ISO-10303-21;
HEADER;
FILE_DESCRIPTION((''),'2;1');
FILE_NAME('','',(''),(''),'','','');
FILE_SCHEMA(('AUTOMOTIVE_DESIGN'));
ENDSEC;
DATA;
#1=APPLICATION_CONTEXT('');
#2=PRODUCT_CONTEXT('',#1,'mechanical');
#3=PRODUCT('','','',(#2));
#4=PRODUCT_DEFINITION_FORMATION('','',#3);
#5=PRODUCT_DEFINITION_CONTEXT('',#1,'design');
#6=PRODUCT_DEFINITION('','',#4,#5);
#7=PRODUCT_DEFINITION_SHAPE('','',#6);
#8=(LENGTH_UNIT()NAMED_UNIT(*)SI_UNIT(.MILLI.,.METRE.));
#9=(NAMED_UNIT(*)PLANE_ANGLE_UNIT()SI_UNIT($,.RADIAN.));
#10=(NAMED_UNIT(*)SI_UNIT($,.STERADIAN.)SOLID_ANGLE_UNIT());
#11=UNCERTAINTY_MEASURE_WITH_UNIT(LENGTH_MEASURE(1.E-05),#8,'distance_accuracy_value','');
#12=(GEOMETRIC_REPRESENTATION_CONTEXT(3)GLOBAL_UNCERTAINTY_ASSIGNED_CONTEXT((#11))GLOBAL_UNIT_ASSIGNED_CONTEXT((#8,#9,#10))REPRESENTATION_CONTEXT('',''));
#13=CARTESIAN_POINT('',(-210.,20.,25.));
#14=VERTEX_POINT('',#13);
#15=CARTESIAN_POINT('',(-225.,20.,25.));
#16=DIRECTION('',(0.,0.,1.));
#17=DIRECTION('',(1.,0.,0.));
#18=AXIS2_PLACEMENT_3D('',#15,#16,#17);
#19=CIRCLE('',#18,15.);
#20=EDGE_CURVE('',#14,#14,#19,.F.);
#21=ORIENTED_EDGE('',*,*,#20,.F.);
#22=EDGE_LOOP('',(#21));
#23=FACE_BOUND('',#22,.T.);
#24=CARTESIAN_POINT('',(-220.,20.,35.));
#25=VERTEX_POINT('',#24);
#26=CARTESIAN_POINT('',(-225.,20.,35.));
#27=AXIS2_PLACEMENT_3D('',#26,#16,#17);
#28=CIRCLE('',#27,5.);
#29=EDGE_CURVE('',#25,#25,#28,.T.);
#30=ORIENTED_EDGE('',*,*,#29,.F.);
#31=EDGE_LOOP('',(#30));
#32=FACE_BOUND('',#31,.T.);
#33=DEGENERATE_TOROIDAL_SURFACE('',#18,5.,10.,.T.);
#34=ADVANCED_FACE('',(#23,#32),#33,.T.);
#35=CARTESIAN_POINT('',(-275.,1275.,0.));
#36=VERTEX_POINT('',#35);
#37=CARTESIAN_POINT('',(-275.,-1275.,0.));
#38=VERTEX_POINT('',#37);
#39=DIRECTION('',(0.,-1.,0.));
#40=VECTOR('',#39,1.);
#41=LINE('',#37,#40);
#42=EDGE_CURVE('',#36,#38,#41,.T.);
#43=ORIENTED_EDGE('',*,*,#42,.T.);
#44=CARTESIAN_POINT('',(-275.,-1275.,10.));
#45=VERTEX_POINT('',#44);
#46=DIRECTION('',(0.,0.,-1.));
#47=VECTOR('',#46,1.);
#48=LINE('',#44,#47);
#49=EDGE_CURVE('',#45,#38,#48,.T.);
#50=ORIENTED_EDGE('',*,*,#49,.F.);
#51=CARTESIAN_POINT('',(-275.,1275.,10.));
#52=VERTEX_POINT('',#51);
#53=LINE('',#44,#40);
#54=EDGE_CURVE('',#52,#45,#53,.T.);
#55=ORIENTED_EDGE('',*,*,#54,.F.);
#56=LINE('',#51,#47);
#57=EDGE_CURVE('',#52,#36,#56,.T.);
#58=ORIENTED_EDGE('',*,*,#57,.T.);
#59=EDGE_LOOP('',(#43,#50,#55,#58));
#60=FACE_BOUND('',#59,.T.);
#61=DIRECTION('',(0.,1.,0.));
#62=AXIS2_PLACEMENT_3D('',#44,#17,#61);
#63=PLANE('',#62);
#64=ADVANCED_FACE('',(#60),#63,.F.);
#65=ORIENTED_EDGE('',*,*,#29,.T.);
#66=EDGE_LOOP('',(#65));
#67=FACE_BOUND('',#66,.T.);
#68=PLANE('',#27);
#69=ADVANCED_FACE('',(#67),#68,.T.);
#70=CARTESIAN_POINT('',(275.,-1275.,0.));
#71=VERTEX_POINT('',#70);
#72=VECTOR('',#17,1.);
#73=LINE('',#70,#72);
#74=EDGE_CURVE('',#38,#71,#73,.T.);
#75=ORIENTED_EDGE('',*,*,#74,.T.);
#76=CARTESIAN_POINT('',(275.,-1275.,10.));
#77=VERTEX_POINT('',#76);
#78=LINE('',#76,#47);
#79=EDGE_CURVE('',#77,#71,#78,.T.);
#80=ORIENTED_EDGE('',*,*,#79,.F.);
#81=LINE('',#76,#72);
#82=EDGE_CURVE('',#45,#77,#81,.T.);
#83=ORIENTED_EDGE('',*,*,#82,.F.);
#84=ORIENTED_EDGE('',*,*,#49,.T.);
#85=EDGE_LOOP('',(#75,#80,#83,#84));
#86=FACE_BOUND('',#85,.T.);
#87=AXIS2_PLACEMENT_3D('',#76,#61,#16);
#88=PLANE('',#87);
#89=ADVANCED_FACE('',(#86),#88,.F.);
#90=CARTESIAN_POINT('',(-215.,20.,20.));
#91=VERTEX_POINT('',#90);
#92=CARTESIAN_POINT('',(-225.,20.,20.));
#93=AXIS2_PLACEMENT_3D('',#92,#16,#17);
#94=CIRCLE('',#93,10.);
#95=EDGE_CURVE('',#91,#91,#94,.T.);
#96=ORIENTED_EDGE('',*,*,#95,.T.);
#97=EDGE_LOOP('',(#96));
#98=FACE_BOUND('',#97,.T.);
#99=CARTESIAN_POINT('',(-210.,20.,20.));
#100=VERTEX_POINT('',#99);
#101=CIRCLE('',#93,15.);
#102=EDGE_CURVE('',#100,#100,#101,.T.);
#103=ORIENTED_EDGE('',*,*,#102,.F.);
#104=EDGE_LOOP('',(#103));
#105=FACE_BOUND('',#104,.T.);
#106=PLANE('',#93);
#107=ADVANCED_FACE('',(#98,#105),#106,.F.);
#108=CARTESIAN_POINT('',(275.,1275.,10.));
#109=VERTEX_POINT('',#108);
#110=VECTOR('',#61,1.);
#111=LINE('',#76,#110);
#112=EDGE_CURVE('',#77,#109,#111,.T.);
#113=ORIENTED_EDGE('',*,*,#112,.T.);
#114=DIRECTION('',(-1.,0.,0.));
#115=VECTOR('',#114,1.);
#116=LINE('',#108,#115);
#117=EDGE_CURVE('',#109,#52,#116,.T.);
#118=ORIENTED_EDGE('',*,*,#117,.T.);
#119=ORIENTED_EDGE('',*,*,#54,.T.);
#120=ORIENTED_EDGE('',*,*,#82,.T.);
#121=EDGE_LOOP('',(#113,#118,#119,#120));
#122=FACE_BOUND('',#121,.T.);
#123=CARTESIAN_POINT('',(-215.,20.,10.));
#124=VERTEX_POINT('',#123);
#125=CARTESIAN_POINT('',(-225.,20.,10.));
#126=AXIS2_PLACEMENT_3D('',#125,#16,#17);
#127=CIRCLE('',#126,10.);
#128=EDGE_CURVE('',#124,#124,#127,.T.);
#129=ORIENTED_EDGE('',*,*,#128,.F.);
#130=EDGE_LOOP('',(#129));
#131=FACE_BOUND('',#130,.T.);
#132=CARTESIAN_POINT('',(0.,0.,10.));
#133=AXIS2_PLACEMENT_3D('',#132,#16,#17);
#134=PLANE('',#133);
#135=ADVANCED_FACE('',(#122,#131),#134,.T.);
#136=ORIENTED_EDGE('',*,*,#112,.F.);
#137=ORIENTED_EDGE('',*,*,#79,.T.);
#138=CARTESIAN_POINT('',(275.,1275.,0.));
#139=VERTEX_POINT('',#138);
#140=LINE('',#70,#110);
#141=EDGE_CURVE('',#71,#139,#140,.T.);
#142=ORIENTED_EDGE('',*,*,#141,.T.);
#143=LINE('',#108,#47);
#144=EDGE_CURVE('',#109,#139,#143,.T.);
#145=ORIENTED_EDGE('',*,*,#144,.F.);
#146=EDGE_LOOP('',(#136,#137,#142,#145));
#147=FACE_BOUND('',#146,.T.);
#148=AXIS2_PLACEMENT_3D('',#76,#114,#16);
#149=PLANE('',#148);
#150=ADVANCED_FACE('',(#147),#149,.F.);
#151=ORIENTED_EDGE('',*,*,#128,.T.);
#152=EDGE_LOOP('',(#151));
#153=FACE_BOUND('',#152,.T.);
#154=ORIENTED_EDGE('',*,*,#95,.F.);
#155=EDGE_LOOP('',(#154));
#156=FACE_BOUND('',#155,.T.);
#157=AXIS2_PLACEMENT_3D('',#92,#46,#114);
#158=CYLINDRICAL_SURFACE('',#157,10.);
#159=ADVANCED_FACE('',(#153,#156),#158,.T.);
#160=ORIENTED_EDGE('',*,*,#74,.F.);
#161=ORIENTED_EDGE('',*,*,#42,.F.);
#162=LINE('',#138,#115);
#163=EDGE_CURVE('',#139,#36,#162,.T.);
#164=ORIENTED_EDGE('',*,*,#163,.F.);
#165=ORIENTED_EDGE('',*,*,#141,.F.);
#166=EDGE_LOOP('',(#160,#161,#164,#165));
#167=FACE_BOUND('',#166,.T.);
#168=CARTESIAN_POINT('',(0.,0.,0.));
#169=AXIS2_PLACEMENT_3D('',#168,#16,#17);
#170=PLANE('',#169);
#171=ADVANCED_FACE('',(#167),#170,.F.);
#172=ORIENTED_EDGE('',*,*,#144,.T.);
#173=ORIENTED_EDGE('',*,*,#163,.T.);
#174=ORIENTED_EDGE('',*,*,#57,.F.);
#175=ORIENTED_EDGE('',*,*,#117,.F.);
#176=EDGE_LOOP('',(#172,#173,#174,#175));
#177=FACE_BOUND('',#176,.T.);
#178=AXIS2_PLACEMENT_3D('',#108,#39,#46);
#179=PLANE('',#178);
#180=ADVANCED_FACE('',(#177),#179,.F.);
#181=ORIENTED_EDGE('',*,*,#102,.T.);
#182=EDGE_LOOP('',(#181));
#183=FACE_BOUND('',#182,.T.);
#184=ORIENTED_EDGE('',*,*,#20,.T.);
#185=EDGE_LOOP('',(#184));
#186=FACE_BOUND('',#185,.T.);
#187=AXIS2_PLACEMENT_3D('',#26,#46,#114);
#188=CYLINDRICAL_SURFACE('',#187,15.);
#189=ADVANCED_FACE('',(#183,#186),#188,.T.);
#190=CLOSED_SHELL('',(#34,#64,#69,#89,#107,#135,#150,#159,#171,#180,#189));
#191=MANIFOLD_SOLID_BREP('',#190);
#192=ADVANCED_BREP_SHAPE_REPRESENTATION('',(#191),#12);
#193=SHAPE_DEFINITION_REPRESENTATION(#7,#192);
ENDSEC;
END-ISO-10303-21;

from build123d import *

# Parameters (mm, degrees)
SKETCH1_W           = 550
SKETCH1_H           = 2550
BOSS_EXTRUDE1_DEPTH = 10
SKETCH2_R           = 10
BOSS_EXTRUDE2_DEPTH = 10
SKETCH3_R           = 15
BOSS_EXTRUDE3_DEPTH = 15
FILLET1_R           = 10


with BuildPart() as part:
    # Sketch1 → Boss-Extrude1 (new body)
    with BuildSketch(Plane.XY):
        Rectangle(SKETCH1_W, SKETCH1_H)
    extrude(amount=BOSS_EXTRUDE1_DEPTH)

    # Sketch2 → Boss-Extrude2 (add)
    with BuildSketch(Plane.XY.offset(10)):
        with Locations((-225, 20)):
            Circle(SKETCH2_R)
    extrude(amount=BOSS_EXTRUDE2_DEPTH)

    # Sketch3 → Boss-Extrude3 (add)
    with BuildSketch(Plane.XY.offset(20)):
        with Locations((-225, 20)):
            Circle(SKETCH3_R)
    extrude(amount=BOSS_EXTRUDE3_DEPTH)

    # Fillet1
    fillet1_edges = [part.edges().sort_by_distance(p)[0] for p in [
        (-240, 20, 35),
    ]]
    fillet(fillet1_edges, radius=FILLET1_R)


solid = part.part
